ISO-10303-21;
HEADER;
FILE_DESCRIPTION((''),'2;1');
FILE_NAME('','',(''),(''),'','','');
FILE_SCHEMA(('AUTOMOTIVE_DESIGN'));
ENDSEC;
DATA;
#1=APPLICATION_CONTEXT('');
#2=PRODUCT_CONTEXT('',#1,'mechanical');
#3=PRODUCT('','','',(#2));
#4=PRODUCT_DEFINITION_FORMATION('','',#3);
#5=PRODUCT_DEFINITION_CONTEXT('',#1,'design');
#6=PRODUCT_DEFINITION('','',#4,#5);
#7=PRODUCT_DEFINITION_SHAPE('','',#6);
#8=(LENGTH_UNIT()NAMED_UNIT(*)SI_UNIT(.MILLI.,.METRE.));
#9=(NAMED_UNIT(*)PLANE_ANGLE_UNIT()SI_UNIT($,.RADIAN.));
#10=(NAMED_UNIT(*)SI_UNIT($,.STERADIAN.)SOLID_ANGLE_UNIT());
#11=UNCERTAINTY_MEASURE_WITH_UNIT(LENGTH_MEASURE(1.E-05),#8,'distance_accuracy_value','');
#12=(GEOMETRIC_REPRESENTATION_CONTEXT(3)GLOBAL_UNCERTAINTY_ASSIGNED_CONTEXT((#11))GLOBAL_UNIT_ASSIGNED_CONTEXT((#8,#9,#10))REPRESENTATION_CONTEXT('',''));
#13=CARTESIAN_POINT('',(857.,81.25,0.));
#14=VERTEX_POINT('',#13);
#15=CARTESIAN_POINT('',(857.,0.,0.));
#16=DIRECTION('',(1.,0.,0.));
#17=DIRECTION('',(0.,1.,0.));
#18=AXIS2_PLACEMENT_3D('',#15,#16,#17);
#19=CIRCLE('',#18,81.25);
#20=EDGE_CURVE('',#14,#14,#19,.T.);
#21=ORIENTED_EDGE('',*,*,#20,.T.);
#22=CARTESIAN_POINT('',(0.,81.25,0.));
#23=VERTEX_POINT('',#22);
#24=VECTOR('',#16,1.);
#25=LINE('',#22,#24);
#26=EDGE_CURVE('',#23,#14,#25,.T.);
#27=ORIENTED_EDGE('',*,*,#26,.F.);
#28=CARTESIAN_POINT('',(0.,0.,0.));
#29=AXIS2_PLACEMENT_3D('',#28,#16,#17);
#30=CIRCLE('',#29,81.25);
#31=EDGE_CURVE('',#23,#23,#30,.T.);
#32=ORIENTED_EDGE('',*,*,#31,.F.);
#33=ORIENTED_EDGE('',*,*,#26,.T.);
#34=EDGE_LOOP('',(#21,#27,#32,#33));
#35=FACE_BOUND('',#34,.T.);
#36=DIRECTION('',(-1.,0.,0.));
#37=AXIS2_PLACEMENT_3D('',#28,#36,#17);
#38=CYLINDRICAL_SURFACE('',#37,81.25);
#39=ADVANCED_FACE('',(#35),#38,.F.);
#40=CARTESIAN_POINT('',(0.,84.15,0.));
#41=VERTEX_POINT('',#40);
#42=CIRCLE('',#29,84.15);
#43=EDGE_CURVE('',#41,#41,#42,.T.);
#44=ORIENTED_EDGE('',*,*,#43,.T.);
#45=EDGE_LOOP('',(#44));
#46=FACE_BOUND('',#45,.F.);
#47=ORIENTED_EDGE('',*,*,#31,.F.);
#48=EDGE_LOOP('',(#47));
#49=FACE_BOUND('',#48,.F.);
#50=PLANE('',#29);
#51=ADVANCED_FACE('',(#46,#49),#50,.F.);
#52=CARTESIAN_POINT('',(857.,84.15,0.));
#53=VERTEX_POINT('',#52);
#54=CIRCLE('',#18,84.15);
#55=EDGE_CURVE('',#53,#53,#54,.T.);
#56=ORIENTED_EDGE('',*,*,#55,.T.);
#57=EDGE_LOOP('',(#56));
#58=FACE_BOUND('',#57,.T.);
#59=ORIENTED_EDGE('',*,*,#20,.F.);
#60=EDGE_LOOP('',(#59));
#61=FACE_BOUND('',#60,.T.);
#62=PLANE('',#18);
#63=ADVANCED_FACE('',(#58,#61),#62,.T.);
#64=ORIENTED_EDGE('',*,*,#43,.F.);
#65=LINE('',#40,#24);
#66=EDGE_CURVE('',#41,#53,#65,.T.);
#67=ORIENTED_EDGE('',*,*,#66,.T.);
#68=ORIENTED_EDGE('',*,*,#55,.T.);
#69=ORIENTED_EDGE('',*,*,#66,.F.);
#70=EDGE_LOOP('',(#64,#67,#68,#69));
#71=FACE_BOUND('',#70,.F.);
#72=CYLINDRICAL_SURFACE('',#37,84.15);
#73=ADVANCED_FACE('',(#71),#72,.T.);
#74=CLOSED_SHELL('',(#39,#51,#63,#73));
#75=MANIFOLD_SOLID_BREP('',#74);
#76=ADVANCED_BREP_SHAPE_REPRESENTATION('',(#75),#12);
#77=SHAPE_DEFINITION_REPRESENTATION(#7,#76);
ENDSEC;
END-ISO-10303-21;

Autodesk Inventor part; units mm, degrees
ref_plane "YZ Plane" through (0, 0, 0) normal (1, 0, 0) x (0, 1, 0)
ref_plane "XZ Plane" through (0, 0, 0) normal (0, 1, 0) x (-1, 0, 0)
ref_plane "XY Plane" through (0, 0, 0) normal (0, 0, 1) x (1, 0, 0)
sketch "Sketch1" plane through (0, 0, 0) normal (1, 0, 0) x (0, 1, 0)
  circle A0 centre (0, 0) radius 84.15
  circle A1 centre (0, 0) radius 81.25
  dimension "d0" = 168.3
  dimension "d1" = 2.9
extrude "Extrusion1" add sketch "Sketch1" along normal blind 857
equation "\"d0\" = OD"
equation "\"d1\" = t"
equation "\"d2\" = L"
equation "\"OD\" = 168.3"
equation "\"t\" = 2.9"
equation "\"L\" = PL"
equation "\"ID\" = 162.5"
equation "\"PL\" = 857"
equation "\"Size_Designation\" = 1.2345"
properties material "Steel"
